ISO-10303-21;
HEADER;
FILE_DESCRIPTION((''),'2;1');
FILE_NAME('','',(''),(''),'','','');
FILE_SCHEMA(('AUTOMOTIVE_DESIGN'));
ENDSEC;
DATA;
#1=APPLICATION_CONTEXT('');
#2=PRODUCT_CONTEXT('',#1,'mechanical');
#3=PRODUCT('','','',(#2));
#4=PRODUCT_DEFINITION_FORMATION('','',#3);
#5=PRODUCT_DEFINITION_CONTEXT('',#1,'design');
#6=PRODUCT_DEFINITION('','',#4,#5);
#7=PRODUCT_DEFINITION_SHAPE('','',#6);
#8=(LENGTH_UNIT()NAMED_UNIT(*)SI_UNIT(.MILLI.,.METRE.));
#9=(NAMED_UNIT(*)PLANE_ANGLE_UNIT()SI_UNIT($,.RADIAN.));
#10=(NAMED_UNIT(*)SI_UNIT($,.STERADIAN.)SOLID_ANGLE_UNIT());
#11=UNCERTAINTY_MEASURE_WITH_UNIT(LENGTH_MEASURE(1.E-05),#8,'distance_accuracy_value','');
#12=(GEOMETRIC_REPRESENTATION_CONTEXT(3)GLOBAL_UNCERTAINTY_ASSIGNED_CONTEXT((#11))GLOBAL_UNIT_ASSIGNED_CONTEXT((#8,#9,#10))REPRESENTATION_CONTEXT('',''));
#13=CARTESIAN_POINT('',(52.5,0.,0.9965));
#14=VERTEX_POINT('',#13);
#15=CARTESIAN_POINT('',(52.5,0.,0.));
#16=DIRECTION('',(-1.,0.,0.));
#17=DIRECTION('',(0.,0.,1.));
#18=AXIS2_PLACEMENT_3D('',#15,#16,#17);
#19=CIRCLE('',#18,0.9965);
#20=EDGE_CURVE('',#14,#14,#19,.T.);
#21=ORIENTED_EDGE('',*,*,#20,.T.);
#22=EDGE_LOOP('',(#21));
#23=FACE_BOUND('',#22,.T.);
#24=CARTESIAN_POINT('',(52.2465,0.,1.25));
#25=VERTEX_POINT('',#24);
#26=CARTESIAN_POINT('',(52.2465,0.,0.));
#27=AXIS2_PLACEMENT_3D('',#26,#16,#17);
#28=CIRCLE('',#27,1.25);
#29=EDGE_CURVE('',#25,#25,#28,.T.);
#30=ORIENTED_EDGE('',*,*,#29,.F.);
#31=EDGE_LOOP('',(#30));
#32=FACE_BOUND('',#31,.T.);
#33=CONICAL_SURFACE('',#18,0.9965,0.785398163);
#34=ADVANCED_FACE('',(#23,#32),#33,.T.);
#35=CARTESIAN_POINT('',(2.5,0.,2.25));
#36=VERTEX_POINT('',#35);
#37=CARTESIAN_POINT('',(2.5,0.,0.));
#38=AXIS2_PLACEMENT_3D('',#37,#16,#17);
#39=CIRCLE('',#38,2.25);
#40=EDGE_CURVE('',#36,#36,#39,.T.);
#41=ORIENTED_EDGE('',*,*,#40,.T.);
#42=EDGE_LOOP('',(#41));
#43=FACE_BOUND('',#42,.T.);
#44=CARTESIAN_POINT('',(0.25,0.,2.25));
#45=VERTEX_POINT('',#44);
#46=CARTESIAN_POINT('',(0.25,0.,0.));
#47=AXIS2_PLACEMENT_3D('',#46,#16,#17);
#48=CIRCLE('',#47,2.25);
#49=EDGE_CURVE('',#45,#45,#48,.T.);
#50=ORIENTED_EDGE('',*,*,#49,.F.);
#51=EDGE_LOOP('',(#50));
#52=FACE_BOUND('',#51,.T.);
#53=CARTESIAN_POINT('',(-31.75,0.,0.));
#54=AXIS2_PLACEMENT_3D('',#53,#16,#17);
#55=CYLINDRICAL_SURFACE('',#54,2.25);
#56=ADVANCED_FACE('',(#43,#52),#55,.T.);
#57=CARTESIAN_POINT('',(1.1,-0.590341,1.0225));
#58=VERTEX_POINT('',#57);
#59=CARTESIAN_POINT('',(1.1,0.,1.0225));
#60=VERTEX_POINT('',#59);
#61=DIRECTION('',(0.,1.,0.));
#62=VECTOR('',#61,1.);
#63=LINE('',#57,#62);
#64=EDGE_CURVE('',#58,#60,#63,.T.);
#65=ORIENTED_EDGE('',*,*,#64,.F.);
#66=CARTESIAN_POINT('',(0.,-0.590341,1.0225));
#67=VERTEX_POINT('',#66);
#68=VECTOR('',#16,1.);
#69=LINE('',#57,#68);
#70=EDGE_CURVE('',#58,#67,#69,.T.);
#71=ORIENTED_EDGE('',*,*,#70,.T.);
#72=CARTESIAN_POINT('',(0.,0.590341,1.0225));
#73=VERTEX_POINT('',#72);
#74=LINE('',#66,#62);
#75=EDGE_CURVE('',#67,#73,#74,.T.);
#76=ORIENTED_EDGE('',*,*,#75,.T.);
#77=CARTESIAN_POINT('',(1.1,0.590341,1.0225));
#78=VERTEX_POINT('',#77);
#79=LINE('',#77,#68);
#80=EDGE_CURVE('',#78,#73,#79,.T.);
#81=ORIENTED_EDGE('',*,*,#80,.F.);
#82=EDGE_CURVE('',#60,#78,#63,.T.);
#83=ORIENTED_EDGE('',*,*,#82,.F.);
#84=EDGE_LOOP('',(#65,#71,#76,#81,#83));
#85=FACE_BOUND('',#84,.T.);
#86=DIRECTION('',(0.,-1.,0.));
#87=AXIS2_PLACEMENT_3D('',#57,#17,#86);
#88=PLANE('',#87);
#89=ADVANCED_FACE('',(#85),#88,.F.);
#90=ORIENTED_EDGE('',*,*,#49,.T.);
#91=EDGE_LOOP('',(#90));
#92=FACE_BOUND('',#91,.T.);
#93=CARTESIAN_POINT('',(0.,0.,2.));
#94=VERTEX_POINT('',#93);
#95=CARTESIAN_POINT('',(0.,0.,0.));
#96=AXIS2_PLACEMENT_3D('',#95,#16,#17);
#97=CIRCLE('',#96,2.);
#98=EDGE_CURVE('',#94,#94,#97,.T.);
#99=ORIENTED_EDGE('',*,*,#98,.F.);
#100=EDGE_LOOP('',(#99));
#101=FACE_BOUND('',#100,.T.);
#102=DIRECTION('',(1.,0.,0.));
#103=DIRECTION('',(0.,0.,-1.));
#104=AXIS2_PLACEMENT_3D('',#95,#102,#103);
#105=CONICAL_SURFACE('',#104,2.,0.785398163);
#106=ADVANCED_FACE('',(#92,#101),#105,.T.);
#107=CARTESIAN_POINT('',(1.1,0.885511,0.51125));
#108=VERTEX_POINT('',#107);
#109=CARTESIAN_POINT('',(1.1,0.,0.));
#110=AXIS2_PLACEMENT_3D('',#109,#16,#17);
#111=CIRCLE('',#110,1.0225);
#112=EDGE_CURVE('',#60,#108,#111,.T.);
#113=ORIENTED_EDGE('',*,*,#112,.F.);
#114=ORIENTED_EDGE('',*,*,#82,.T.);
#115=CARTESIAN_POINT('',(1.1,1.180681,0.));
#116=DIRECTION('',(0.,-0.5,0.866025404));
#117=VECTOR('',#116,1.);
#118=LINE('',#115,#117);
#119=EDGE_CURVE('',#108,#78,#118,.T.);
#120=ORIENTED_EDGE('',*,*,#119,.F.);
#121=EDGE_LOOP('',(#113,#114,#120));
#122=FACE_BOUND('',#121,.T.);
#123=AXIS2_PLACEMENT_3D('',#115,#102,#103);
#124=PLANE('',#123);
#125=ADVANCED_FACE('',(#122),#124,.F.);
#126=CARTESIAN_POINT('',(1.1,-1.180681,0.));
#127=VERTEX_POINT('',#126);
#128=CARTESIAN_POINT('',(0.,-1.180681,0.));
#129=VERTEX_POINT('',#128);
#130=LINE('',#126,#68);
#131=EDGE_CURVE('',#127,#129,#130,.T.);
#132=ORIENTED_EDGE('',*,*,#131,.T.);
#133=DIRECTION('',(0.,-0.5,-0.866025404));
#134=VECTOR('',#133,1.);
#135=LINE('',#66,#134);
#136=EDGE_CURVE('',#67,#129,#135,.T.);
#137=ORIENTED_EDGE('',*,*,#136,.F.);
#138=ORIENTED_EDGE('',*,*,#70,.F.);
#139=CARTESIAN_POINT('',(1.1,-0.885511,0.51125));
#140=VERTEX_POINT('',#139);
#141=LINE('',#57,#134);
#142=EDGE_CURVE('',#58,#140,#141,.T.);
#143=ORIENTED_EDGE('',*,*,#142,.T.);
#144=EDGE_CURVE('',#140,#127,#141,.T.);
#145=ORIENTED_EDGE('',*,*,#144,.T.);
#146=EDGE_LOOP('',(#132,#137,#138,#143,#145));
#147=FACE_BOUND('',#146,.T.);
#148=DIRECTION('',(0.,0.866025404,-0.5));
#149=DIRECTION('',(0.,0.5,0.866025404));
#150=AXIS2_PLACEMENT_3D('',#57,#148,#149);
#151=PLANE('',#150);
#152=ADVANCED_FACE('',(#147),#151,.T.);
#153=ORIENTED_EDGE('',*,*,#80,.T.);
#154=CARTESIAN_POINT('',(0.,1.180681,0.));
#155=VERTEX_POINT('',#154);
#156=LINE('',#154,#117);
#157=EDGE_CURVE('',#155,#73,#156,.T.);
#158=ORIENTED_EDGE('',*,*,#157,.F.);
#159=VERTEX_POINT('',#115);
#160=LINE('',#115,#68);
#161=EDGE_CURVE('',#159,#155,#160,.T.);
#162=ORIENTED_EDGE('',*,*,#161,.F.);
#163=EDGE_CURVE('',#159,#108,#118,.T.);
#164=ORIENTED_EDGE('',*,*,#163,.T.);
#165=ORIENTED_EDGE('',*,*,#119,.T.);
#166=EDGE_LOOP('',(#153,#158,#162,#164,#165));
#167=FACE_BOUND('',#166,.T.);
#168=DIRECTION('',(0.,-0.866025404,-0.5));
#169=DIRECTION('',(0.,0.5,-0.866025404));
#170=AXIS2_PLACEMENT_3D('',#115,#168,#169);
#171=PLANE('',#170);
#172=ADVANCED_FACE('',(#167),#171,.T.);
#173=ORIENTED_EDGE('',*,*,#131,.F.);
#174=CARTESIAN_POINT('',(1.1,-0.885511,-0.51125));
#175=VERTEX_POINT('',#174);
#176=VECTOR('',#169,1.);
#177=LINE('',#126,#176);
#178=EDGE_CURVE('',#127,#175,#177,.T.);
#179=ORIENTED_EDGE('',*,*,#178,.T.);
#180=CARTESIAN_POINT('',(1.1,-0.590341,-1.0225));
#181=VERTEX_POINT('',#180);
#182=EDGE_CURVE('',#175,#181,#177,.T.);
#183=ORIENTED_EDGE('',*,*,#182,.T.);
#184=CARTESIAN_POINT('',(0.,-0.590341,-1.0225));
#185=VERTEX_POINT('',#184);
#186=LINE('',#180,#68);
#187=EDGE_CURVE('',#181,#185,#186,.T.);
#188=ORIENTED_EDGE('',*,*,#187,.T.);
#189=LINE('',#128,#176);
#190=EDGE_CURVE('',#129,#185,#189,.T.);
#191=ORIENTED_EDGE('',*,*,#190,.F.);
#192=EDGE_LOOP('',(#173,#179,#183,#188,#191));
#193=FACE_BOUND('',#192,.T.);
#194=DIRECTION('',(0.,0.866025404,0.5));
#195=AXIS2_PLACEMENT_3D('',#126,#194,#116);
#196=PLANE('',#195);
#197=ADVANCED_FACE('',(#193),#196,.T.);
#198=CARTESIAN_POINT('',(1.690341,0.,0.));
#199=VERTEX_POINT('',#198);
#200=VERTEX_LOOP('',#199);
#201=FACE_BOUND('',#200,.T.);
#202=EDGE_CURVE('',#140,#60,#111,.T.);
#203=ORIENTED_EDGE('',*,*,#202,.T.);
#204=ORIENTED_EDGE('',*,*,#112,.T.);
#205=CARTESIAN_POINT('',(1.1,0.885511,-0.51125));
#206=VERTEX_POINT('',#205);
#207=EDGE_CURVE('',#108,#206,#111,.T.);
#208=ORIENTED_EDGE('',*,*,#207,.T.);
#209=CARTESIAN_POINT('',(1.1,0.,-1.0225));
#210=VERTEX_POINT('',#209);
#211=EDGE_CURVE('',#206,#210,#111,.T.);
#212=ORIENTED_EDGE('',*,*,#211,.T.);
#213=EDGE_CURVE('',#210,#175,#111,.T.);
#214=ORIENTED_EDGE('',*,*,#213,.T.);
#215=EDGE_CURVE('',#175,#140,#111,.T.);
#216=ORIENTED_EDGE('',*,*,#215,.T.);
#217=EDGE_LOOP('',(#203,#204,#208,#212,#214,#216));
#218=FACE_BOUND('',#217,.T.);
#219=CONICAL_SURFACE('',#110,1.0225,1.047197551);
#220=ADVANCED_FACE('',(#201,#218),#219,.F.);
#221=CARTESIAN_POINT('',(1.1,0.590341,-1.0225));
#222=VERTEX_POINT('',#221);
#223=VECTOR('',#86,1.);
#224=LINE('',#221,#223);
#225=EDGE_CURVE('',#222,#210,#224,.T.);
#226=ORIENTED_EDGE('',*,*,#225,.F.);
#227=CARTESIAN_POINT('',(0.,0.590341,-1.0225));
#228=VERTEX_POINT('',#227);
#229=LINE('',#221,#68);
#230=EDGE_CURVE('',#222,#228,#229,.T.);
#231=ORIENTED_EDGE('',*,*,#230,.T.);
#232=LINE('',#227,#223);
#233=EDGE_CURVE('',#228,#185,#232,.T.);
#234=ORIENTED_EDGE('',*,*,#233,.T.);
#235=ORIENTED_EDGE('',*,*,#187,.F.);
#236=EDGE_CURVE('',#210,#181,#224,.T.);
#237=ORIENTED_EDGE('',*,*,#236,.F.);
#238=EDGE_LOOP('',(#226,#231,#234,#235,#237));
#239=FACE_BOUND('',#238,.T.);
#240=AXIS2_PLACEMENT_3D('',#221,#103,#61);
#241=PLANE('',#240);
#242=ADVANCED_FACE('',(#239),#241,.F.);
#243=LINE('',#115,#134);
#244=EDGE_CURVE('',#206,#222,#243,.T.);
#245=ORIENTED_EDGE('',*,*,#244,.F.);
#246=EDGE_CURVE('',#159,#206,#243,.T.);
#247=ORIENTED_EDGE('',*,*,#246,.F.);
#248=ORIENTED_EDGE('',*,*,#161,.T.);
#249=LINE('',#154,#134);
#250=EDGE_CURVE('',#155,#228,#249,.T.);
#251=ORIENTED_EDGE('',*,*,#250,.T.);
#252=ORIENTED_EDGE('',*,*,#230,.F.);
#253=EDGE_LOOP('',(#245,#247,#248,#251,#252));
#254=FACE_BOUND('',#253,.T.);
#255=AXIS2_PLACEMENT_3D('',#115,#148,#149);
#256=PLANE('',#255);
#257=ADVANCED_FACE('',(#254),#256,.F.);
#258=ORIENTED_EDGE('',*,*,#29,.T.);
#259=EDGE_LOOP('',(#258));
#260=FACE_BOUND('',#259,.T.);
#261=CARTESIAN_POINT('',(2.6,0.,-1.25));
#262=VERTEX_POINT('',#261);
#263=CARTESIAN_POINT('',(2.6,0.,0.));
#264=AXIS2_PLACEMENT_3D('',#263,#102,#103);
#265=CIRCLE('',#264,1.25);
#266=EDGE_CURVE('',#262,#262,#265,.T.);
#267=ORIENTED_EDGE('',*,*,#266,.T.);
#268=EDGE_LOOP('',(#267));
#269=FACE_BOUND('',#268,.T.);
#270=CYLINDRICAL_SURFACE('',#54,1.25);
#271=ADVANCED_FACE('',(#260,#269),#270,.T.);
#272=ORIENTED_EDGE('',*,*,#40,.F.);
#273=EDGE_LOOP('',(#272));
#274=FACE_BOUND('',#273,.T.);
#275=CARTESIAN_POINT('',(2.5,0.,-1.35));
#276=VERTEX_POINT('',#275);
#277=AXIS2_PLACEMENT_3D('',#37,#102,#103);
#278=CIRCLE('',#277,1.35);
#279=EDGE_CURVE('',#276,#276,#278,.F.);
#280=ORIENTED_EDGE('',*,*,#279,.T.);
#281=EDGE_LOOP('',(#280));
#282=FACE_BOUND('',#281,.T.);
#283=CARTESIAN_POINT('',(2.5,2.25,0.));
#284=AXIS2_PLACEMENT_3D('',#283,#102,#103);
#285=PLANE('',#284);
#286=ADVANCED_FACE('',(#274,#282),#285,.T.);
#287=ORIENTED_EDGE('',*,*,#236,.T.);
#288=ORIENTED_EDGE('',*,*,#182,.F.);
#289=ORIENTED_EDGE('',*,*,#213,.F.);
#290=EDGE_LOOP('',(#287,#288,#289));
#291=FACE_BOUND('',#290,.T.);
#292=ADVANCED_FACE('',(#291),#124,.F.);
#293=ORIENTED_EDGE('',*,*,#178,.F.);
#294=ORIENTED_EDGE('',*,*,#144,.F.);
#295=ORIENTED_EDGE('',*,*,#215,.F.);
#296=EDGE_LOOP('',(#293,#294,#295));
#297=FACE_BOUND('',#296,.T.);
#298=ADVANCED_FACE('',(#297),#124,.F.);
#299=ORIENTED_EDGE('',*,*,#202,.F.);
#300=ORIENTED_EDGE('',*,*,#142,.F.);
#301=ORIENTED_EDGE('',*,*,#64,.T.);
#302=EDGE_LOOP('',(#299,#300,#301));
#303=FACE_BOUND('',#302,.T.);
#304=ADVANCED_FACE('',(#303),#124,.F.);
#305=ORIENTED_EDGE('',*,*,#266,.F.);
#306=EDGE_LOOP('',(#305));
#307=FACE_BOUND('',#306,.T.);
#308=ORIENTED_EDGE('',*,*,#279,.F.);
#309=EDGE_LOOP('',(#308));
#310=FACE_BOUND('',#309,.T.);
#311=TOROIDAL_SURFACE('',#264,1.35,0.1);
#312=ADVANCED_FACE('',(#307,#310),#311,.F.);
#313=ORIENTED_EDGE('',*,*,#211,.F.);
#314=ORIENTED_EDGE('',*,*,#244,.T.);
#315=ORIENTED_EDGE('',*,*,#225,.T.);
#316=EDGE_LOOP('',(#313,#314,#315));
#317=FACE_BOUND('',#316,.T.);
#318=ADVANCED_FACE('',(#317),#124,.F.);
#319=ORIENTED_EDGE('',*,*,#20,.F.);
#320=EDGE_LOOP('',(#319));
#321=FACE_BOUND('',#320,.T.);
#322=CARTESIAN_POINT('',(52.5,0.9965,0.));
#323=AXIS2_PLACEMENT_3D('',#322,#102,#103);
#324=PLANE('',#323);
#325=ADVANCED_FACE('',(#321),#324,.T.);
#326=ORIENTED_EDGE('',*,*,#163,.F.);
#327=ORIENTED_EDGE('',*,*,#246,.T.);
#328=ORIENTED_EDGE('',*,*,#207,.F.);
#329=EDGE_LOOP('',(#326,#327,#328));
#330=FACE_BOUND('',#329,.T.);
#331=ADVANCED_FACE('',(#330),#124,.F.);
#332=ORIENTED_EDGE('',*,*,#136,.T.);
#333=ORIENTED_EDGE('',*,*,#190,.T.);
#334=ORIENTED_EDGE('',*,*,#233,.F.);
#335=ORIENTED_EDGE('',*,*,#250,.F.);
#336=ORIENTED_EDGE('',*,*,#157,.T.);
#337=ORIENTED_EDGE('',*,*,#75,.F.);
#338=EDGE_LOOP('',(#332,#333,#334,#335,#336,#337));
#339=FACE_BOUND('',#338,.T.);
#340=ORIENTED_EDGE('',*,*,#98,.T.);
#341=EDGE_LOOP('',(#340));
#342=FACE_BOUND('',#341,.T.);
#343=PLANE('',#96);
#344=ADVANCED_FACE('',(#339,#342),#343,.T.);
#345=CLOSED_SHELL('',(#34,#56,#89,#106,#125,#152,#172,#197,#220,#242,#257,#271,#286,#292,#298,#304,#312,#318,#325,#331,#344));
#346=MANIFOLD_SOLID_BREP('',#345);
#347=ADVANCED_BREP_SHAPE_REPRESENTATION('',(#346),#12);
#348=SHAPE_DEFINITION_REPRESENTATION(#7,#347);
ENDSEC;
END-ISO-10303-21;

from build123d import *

# Parameters (mm, degrees)
FILLET1_R   = 0.1
HEX_2_DEPTH = 1.1


with BuildPart() as part:
    # BodySke → Base-Revolve (revolve)
    with BuildSketch(Plane.XY, mode=Mode.PRIVATE) as base_revolve_sk:
        Polygon((0, 0), (0, 2), (0.25, 2.25), (2.5, 2.25), (2.5, 1.25), (52.2465, 1.25), (52.5, 0.9965), (52.5, 0), align=None)
    revolve(base_revolve_sk.sketch.rotate(Axis((-31.75, 0, 0), (1, 0, 0)), 90), axis=Axis((-31.75, 0, 0), (1, 0, 0)))

    # Fillet1
    fillet1_edges = [part.edges().sort_by_distance(p)[0] for p in [
        (2.5, 0, -1.25),
    ]]
    fillet(fillet1_edges, radius=FILLET1_R)

    # Sketch2 → Hex-PreBroach (revolve, cut)
    with BuildSketch(Plane.XY, mode=Mode.PRIVATE) as hex_prebroach_sk:
        Polygon((0, 1.0225), (1.1, 1.0225), (1.69034065, 0), (0, 0), align=None)
    revolve(hex_prebroach_sk.sketch.rotate(Axis((0, 0, 0), (1, 0, 0)), 90), axis=Axis((0, 0, 0), (1, 0, 0)), mode=Mode.SUBTRACT)

    # Sketch3 → Hex 2 (cut)
    with BuildSketch(Plane(origin=(0, 0, 0), x_dir=(0, 0.500000000000001, 0.866025403784438), z_dir=(-1, 0, 0))):
        Polygon((0.59034065, 1.0225), (-0.59034065, 1.0225), (-1.1806813, 0), (-0.59034065, -1.0225), (0.59034065, -1.0225), (1.1806813, 0), align=None)
    extrude(amount=-HEX_2_DEPTH, mode=Mode.SUBTRACT)


solid = part.part
